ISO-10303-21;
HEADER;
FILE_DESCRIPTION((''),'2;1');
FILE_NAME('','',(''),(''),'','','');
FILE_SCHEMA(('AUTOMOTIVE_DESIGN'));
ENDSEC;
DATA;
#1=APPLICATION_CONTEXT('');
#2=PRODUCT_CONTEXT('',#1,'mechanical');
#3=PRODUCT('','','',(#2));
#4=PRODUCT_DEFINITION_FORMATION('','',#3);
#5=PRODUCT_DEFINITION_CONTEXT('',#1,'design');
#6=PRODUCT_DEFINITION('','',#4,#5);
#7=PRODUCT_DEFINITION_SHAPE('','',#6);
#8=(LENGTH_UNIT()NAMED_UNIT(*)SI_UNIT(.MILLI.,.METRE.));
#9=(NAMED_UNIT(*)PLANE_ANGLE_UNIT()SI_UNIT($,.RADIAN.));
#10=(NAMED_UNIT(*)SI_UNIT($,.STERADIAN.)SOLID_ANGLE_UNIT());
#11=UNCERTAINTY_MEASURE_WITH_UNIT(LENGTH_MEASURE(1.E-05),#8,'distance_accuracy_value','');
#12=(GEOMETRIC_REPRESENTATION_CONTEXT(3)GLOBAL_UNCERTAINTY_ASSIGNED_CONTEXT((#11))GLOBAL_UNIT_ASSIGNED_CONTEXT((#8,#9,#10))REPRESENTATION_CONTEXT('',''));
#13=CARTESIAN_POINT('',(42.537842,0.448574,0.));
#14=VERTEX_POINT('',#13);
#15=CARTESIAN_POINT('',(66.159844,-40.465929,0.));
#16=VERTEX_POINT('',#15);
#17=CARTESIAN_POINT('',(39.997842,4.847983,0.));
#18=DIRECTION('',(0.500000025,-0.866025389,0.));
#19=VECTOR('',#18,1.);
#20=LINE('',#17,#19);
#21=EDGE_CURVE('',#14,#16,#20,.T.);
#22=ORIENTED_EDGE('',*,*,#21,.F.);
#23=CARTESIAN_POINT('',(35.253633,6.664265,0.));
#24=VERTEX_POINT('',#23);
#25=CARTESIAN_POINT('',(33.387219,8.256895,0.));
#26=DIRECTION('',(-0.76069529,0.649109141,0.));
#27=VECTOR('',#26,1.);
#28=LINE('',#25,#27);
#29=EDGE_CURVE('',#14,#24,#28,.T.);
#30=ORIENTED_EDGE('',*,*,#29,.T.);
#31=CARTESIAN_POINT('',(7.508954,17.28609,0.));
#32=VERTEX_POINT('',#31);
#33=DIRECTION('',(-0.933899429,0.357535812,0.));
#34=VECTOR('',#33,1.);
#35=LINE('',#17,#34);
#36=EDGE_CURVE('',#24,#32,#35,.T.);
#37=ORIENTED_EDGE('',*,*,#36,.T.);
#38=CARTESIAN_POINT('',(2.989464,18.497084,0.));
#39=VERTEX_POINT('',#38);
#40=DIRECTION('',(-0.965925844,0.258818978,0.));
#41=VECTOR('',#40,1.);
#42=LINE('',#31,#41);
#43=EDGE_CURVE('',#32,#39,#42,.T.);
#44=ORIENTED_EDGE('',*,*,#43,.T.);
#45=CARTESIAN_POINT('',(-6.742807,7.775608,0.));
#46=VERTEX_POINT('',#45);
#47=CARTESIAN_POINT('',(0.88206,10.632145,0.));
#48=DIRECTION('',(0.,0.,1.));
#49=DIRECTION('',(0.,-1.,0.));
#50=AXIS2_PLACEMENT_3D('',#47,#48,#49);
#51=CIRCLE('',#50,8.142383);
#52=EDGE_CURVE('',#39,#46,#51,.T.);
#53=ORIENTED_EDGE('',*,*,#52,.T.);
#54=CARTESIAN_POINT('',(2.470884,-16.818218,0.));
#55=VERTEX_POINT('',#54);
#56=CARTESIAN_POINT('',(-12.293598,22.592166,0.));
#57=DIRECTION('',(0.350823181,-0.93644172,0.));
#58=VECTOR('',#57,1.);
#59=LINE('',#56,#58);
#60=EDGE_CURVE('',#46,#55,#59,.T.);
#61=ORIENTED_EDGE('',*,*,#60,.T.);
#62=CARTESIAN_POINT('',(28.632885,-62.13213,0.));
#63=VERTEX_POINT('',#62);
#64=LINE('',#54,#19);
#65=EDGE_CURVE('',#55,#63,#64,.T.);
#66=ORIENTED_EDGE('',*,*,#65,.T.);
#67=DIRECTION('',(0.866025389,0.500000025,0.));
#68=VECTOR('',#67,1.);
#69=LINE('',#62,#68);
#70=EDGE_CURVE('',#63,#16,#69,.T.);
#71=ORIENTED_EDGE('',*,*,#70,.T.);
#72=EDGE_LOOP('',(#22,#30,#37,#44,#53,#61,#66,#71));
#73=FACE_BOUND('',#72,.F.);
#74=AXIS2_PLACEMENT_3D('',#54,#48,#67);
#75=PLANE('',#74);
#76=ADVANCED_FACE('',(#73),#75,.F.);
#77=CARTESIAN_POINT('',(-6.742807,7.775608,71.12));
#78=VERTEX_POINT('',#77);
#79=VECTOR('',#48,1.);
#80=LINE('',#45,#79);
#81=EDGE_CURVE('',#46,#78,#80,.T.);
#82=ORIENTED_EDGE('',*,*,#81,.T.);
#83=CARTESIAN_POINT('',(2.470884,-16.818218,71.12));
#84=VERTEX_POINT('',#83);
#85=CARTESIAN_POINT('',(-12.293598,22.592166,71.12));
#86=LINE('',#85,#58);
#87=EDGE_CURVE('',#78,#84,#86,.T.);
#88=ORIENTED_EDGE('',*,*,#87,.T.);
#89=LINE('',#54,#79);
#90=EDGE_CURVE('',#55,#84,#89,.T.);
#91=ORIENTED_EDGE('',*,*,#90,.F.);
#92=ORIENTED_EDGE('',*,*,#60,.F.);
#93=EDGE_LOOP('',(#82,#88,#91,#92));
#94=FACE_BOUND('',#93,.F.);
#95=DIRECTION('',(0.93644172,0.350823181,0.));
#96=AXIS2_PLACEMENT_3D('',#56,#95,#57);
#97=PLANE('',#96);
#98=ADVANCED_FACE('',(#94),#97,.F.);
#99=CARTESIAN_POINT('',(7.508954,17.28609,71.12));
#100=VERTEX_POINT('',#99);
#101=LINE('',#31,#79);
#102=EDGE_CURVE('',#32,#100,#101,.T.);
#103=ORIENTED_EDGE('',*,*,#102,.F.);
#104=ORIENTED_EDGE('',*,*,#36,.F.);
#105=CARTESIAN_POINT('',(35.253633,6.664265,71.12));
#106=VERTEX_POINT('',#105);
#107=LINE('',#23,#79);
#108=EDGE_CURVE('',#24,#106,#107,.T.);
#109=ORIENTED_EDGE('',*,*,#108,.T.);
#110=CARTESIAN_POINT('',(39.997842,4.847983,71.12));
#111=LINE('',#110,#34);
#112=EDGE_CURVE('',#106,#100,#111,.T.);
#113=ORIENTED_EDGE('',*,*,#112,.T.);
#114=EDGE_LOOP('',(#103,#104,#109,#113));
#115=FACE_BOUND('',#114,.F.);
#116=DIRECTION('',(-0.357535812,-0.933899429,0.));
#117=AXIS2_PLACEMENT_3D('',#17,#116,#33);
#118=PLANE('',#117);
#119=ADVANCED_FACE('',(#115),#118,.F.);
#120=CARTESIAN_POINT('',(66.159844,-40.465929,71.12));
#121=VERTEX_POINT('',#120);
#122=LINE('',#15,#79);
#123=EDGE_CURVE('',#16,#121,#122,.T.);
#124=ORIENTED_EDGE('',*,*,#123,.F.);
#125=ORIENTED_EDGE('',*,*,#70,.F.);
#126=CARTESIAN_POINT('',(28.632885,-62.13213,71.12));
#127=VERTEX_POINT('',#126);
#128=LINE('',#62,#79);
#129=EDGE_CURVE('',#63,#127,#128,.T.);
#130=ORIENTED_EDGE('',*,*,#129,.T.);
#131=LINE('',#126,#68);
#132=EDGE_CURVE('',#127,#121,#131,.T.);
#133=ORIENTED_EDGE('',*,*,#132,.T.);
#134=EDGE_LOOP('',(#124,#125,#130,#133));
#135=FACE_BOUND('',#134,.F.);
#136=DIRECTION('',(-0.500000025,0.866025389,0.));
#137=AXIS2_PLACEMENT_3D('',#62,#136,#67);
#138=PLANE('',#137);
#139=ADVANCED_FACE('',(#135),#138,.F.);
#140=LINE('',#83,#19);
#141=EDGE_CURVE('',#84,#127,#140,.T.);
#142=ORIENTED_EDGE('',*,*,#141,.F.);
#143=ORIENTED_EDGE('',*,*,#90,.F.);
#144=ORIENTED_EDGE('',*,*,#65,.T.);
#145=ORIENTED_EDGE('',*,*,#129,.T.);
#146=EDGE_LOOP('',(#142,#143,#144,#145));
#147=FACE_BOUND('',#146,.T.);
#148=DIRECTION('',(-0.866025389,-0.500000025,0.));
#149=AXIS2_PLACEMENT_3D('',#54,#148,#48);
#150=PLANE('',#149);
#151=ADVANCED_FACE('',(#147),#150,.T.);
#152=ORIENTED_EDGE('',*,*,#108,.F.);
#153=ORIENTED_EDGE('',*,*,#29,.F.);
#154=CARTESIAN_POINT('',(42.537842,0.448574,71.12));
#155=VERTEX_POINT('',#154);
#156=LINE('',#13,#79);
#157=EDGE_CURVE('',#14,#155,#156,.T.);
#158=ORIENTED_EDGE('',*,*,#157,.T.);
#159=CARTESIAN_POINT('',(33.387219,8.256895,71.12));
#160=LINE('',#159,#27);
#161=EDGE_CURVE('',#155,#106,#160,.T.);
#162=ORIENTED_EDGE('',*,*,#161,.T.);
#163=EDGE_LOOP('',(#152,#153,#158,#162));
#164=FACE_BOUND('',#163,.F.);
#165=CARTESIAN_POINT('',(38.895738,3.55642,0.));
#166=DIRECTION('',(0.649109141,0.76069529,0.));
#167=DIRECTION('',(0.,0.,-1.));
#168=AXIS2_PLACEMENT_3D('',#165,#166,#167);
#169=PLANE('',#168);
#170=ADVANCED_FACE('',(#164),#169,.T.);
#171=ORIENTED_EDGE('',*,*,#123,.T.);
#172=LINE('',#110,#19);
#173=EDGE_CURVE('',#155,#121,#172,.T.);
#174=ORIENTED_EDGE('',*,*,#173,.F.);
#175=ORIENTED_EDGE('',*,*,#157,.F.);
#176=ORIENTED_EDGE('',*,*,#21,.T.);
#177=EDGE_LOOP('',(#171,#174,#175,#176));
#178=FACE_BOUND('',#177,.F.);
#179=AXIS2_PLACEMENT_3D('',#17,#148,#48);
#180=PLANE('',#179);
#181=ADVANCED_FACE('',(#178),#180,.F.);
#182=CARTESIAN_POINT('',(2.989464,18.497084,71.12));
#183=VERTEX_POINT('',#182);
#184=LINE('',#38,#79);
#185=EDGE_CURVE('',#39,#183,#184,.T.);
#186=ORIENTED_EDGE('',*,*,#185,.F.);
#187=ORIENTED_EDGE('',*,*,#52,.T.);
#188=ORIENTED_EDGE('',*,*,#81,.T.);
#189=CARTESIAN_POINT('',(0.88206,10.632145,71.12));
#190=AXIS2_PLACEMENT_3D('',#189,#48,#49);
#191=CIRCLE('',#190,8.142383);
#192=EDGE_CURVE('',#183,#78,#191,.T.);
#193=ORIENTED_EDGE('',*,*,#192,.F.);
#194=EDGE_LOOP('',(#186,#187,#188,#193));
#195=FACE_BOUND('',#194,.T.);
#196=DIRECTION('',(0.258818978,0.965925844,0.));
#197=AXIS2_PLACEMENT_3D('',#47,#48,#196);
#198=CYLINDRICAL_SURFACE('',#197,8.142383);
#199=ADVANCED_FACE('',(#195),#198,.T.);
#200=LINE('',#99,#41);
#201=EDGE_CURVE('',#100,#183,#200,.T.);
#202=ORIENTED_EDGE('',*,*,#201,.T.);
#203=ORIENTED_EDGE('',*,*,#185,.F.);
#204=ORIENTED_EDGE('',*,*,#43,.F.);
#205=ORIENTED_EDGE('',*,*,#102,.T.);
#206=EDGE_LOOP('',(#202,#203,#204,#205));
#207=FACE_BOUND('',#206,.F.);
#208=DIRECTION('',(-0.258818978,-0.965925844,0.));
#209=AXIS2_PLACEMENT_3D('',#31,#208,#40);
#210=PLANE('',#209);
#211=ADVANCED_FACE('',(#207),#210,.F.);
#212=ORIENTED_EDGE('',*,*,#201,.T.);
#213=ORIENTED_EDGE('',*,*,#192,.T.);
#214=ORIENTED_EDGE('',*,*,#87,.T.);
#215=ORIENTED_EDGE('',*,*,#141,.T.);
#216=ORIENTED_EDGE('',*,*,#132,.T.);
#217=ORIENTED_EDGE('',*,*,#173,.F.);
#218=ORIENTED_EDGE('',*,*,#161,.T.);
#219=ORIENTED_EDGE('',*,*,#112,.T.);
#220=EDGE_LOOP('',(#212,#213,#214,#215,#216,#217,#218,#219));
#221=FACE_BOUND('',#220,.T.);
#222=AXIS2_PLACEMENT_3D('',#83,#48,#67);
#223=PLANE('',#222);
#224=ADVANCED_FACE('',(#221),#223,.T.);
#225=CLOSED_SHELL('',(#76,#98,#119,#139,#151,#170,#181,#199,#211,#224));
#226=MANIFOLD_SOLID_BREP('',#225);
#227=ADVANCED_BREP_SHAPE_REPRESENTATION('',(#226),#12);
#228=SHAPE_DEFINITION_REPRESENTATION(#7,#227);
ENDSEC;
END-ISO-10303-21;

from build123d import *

# Parameters (mm, degrees)
F1_DEPTH = 71.12
F2_DEPTH = 52.324
F3_SIZE  = 5.08
F4_R     = 8.142383265


with BuildPart() as f1:
    # F0 (on Top) → F1 (new body)
    with BuildSketch(Plane.XY):
        Polygon((7.5089540333, 17.2860901803), (-12.2935976833, 22.5921664387), (2.4708837736, -16.8182179332), (39.9978423606, 4.8479831407), align=None)
    extrude(amount=F1_DEPTH)

    # F2 (add): a face of the model
    f2_faces = [f1.faces().sort_by_distance(p)[0] for p in [
        (21.2343630671, -5.9851173963, 35.56),
    ]]
    extrude(f2_faces, amount=F2_DEPTH)

    # F3
    f3_edges = [f1.edges().sort_by_distance(p)[0] for p in [
        (39.997842, 4.847983, 35.56),
    ]]
    chamfer(f3_edges, length=F3_SIZE)

    # F4
    f4_edges = [f1.edges().sort_by_distance(p)[0] for p in [
        (-12.293598, 22.592166, 35.56),
    ]]
    fillet(f4_edges, radius=F4_R)


solid = f1.part
